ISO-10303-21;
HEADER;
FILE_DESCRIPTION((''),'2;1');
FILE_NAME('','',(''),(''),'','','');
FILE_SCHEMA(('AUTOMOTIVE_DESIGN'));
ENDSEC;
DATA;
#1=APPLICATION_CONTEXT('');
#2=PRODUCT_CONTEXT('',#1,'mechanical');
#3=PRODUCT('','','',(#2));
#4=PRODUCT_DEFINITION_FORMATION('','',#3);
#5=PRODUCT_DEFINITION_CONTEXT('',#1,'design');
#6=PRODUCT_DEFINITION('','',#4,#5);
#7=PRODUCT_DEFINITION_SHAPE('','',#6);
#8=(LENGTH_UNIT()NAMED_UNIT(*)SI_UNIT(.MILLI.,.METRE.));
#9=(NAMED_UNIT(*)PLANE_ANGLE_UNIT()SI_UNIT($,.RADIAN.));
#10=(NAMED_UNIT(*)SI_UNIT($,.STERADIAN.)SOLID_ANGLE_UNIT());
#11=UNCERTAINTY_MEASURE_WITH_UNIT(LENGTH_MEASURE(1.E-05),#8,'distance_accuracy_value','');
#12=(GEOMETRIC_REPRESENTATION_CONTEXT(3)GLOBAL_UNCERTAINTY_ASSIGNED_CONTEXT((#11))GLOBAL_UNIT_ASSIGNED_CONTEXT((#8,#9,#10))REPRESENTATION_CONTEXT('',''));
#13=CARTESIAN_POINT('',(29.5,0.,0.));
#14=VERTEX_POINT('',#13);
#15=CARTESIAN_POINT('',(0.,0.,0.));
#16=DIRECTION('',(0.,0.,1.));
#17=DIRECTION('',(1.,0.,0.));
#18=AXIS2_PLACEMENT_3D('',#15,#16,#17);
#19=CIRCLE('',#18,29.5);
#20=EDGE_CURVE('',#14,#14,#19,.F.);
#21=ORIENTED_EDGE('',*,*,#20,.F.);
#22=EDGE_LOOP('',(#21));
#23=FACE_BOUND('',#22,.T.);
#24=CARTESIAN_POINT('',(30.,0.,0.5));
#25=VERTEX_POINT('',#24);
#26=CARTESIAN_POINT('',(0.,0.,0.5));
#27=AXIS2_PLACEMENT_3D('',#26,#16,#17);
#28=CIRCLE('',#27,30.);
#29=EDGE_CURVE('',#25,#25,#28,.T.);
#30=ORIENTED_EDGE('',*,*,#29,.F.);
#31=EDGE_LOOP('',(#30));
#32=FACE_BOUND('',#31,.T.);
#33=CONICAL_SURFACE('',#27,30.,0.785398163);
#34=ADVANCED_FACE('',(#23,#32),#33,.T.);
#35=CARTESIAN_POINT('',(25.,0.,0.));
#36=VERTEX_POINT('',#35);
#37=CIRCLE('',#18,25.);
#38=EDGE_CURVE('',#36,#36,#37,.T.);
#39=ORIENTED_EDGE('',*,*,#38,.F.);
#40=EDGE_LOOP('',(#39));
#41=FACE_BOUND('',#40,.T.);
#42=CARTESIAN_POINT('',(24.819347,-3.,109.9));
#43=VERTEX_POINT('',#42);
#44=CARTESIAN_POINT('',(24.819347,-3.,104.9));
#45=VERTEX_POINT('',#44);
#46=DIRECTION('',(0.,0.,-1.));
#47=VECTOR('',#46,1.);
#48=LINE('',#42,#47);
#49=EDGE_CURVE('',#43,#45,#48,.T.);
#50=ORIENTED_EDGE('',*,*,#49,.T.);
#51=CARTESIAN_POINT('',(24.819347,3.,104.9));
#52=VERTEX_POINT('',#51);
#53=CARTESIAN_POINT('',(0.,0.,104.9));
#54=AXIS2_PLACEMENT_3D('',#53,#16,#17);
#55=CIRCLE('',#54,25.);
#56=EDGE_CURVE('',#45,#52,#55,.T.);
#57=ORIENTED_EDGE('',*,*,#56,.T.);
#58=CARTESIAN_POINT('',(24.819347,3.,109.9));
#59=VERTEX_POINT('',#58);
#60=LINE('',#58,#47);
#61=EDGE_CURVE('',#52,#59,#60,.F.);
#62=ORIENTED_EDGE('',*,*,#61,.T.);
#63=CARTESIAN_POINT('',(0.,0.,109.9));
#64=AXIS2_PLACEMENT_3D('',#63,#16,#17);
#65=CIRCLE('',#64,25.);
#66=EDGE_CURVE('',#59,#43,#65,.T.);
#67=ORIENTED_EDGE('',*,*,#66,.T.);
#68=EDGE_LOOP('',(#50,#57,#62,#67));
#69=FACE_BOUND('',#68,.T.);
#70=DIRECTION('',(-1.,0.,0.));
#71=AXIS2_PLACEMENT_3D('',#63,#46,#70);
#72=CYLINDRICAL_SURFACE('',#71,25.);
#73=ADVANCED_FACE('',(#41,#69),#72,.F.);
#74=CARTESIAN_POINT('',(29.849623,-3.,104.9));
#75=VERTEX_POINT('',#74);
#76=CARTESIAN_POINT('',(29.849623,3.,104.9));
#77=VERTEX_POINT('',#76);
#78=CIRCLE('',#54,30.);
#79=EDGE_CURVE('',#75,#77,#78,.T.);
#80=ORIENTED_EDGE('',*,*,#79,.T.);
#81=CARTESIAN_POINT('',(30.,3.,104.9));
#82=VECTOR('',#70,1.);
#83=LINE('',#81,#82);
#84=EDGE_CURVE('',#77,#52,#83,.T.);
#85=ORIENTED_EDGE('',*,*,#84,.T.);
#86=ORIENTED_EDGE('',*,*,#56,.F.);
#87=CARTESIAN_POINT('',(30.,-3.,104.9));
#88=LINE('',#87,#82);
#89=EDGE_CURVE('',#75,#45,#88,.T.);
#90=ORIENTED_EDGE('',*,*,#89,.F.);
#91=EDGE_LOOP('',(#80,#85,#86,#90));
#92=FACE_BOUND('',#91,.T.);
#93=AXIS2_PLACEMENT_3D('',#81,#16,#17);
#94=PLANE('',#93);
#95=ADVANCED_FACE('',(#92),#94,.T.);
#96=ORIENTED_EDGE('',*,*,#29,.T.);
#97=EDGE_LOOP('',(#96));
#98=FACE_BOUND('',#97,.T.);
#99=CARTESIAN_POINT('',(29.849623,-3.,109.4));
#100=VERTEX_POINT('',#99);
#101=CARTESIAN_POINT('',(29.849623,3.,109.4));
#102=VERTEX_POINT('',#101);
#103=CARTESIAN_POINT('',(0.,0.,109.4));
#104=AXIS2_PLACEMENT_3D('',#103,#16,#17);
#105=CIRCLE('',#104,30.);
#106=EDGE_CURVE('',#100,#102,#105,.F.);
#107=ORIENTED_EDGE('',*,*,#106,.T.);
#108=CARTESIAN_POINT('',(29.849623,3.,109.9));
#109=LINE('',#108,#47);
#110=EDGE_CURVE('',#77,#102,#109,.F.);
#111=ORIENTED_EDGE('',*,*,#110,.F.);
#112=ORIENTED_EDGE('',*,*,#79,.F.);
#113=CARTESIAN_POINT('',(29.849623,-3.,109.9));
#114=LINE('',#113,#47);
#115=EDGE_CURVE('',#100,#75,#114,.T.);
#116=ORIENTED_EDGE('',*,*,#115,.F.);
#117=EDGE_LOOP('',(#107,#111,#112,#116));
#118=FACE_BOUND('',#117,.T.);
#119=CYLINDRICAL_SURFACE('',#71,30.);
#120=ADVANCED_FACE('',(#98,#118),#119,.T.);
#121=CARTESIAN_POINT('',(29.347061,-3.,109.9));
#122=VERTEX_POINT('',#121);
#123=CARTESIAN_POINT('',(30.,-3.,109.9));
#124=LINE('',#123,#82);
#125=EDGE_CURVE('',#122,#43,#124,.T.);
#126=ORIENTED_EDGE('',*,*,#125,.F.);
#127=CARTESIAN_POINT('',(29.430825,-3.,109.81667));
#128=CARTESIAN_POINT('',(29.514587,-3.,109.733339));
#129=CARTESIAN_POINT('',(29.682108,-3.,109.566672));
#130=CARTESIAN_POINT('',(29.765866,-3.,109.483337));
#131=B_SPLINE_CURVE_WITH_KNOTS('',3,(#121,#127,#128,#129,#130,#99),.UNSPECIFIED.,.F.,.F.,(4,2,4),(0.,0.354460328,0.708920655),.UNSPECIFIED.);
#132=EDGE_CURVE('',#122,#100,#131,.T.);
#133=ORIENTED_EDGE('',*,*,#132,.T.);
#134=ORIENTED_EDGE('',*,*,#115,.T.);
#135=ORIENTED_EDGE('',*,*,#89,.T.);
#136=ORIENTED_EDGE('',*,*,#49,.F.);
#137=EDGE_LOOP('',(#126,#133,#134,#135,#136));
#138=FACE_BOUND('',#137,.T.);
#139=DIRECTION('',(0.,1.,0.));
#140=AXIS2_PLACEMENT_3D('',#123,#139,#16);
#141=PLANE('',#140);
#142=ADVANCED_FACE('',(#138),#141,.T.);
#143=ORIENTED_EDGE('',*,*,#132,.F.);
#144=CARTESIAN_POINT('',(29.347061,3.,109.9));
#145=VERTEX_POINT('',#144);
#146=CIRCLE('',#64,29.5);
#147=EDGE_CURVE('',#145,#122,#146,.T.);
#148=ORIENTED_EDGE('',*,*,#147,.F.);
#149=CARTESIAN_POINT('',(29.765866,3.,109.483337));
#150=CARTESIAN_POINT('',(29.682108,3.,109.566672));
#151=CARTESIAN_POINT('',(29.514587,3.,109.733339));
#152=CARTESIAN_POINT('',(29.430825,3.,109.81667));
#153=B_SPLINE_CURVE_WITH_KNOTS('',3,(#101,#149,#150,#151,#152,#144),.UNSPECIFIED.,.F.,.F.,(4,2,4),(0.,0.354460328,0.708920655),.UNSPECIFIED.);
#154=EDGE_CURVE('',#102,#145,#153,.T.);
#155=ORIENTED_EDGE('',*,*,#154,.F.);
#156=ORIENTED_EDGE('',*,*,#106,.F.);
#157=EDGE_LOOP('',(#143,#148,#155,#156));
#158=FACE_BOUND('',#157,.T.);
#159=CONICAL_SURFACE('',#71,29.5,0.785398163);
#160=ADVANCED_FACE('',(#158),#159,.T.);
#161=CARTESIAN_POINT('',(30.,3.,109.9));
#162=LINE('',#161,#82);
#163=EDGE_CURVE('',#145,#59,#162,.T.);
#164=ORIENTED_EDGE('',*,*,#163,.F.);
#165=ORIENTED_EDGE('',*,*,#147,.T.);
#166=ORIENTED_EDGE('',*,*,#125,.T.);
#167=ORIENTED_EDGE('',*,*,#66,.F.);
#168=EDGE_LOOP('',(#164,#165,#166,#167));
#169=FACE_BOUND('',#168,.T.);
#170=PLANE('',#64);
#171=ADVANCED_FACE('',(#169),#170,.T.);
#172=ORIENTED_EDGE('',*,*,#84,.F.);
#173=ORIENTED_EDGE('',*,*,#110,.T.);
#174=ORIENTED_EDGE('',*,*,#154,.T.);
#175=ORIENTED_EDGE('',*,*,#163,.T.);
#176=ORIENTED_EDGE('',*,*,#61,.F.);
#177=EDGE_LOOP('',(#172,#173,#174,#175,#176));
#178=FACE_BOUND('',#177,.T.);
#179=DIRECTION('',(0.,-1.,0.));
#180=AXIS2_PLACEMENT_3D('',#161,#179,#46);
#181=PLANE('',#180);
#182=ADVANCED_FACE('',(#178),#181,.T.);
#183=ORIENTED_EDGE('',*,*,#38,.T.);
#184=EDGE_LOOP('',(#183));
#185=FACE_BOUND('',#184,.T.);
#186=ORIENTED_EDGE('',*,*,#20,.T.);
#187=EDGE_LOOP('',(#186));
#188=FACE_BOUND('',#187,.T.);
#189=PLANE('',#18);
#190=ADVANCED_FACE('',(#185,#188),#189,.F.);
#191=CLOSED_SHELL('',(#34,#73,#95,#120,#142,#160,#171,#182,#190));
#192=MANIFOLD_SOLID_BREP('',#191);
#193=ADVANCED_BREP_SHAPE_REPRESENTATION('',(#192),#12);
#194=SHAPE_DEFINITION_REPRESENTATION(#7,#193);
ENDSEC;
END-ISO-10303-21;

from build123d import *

# Parameters (mm, degrees)
SKETCH1_R           = 30
SKETCH1_R_2         = 25
BOSS_EXTRUDE1_DEPTH = 109.9
SKETCH2_W           = 5
SKETCH2_H           = 6
CUT_EXTRUDE1_DEPTH  = 31
CHAMFER1_SIZE       = 0.5


with BuildPart() as part:
    # Sketch1 → Boss-Extrude1 (new body)
    with BuildSketch(Plane.XY):
        Circle(SKETCH1_R)
        Circle(SKETCH1_R_2, mode=Mode.SUBTRACT)
    extrude(amount=BOSS_EXTRUDE1_DEPTH)

    # Sketch2 → Cut-Extrude1 (cut, through all)
    with BuildSketch(Plane(origin=(0, 0, 0), x_dir=(0, 0, -1), z_dir=(1, 0, 0))):
        with Locations((-107.4, 0)):
            Rectangle(SKETCH2_W, SKETCH2_H)
    extrude(amount=CUT_EXTRUDE1_DEPTH, mode=Mode.SUBTRACT)

    # Chamfer1
    chamfer1_edges = [part.edges().sort_by_distance(p)[0] for p in [
        (-30, 0, 109.9),
        (-30, 0, 0),
    ]]
    chamfer(chamfer1_edges, length=CHAMFER1_SIZE)


solid = part.part
